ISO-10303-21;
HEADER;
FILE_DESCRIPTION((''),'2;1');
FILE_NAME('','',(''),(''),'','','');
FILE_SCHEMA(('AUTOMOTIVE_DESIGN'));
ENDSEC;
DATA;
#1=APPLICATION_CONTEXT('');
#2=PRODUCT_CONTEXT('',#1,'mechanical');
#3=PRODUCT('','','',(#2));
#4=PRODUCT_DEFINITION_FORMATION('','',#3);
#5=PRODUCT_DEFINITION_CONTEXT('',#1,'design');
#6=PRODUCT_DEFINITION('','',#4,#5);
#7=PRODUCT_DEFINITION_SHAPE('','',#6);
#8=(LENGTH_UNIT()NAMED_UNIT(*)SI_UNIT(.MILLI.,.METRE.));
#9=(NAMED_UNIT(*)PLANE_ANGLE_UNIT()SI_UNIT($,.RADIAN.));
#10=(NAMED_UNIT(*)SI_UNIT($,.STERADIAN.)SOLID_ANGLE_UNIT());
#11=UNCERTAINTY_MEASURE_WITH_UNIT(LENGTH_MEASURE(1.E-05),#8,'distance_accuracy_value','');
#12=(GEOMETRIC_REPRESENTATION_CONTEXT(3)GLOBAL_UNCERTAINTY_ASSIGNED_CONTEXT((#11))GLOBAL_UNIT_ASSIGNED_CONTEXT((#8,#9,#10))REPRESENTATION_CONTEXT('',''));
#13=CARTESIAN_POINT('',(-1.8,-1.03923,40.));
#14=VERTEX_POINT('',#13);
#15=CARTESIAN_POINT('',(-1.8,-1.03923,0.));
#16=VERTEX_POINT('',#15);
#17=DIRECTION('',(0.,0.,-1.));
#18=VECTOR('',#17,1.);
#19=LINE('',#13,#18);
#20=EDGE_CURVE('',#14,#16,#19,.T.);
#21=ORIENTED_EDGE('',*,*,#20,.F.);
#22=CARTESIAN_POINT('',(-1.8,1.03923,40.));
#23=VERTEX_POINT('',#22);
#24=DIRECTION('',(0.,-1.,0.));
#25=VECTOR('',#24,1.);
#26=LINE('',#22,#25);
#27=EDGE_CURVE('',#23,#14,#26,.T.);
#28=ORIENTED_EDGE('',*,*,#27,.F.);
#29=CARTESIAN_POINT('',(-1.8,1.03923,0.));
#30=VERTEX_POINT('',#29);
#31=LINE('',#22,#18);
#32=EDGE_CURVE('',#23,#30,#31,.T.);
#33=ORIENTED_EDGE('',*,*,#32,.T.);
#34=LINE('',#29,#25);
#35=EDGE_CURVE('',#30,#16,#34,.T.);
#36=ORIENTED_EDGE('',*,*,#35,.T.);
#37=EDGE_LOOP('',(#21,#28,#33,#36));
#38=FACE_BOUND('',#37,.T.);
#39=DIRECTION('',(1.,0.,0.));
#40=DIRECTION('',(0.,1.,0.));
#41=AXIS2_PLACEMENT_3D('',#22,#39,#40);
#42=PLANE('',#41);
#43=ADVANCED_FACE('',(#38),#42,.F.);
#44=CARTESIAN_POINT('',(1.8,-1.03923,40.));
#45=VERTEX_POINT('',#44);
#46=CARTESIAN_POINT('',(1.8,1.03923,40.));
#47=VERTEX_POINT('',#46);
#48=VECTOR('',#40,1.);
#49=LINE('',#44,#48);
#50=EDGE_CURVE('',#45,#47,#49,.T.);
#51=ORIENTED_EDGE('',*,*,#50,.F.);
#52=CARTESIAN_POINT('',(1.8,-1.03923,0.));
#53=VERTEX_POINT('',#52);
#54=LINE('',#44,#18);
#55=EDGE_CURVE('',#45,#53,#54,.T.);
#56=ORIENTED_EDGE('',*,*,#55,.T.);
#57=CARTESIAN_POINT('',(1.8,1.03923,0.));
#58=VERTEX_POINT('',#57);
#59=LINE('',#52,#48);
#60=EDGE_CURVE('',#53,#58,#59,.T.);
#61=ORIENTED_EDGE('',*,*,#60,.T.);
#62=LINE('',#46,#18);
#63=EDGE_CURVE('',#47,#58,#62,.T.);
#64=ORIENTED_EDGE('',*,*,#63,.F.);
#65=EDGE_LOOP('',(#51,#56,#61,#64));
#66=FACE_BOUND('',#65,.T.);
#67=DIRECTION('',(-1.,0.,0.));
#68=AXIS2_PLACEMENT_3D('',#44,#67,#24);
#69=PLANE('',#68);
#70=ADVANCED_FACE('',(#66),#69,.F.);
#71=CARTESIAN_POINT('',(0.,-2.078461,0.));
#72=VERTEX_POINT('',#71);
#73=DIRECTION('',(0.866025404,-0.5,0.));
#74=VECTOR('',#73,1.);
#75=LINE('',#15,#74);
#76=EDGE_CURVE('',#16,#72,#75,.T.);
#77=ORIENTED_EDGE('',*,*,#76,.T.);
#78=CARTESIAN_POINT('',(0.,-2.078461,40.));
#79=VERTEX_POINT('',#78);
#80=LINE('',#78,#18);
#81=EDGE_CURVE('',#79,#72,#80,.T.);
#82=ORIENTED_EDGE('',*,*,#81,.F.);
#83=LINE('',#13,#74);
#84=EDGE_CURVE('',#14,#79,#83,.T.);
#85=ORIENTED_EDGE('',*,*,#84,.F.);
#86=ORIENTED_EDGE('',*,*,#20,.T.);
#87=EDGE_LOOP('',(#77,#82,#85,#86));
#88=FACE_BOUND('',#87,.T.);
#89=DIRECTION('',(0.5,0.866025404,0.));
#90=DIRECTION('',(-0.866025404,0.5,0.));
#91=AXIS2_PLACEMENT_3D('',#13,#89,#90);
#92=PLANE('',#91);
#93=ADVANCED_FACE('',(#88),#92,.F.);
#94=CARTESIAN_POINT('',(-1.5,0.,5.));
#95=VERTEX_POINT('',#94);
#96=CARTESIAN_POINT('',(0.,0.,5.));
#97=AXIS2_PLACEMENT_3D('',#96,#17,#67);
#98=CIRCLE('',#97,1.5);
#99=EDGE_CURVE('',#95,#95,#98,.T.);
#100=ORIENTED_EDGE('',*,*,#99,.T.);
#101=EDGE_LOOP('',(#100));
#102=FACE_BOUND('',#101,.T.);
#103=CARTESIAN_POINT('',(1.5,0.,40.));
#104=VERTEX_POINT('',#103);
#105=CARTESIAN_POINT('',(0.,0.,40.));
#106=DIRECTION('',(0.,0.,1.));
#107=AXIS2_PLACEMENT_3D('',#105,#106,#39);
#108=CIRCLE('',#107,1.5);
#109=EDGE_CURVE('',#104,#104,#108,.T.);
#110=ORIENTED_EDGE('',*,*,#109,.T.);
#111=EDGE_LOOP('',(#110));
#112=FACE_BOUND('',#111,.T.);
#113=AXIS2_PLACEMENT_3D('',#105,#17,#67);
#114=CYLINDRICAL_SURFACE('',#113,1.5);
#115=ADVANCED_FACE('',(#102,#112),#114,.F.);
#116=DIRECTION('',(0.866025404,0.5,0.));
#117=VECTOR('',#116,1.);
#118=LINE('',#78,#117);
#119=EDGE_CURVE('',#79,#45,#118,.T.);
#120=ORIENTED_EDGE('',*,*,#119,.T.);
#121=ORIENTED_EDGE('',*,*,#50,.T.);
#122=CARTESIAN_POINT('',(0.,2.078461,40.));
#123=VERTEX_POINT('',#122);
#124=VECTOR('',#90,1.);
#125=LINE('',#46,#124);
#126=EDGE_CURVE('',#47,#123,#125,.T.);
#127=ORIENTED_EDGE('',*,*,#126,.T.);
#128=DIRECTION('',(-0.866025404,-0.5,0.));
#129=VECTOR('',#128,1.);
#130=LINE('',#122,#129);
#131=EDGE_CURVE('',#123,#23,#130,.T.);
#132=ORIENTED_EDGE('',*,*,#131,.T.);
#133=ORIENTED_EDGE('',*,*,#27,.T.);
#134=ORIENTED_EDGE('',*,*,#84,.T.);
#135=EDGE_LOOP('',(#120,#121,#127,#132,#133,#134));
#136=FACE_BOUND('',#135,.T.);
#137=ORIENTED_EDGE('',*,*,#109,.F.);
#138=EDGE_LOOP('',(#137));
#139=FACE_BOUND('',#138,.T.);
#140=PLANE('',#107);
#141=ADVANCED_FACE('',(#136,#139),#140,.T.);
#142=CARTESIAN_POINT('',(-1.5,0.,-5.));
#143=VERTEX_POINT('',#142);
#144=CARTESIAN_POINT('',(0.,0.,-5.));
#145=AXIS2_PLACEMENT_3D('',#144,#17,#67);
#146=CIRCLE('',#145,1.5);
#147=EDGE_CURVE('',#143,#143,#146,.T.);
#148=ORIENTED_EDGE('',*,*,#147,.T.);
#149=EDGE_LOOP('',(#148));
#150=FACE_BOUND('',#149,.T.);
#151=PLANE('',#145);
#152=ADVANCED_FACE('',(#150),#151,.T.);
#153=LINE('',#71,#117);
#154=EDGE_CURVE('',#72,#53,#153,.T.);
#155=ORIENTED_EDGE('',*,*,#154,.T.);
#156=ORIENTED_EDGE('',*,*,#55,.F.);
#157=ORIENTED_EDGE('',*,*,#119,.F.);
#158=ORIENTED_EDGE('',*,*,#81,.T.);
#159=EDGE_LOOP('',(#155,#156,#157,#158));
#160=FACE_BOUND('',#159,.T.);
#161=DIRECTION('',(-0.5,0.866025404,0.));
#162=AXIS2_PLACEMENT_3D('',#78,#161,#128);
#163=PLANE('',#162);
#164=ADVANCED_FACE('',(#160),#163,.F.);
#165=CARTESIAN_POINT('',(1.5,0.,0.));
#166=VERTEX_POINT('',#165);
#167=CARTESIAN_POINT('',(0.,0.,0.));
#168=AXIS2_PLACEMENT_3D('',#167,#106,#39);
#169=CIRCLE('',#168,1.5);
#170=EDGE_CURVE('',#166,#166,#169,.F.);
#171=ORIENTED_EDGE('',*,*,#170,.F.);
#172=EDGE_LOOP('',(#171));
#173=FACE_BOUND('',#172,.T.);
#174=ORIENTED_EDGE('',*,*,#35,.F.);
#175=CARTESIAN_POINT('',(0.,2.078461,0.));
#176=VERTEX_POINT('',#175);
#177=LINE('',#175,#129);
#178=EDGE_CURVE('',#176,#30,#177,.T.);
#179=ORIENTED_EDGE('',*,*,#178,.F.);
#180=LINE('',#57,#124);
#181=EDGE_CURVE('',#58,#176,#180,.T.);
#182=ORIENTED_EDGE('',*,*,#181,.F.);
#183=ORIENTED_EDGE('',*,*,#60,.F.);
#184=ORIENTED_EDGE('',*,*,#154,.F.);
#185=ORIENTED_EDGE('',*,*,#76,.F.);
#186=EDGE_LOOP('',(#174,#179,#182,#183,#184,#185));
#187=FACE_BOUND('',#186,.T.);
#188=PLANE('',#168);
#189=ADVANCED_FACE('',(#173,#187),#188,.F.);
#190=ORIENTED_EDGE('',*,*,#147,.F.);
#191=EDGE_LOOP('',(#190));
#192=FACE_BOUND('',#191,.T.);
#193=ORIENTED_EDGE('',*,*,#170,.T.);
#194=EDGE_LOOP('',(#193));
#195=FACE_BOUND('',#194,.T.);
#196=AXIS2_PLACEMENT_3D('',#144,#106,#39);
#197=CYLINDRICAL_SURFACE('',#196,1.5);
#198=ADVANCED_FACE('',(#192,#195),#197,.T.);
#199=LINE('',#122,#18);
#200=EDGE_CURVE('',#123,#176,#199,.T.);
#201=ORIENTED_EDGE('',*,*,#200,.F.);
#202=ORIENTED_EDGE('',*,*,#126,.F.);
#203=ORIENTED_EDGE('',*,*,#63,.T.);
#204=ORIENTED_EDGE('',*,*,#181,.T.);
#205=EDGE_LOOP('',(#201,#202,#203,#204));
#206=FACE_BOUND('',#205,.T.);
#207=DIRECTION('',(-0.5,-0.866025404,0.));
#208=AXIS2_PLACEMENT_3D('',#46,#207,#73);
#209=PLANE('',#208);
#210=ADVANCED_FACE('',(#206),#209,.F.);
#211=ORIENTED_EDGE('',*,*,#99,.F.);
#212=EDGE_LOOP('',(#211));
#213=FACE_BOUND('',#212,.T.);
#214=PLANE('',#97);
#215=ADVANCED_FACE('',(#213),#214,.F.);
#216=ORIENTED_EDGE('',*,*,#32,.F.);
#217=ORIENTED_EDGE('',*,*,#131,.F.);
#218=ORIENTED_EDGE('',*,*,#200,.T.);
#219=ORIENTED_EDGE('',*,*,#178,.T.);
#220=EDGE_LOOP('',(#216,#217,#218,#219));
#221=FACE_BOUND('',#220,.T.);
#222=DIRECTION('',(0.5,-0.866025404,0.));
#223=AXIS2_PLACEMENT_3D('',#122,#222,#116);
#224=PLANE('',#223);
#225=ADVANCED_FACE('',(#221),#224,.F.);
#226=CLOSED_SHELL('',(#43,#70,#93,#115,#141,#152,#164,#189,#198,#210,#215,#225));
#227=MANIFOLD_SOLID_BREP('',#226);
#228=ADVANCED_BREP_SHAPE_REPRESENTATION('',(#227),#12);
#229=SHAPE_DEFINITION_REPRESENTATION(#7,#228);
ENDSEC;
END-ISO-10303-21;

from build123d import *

# Parameters (mm, degrees)
SKETCH_1_R      = 1.5
EXTRUDE_1_DEPTH = 40
SKETCH_2_R      = 1.5
EXTRUDE_2_DEPTH = 5


with BuildPart() as part:
    # 草图1 → 凸台-拉伸1 (new body)
    with BuildSketch(Plane.XY):
        Polygon((0, 2.078460969), (-1.8, 1.039230485), (-1.8, -1.039230485), (0, -2.078460969), (1.8, -1.039230485), (1.8, 1.039230485), align=None)
        Circle(SKETCH_1_R, mode=Mode.SUBTRACT)
    extrude(amount=EXTRUDE_1_DEPTH)

    # 草图2 → 凸台-拉伸2 (add, symmetric)
    with BuildSketch(Plane(origin=(0, 0, 0), x_dir=(-1, 0, 0), z_dir=(0, 0, -1))):
        Circle(SKETCH_2_R)
    extrude(amount=EXTRUDE_2_DEPTH, both=True)


solid = part.part
